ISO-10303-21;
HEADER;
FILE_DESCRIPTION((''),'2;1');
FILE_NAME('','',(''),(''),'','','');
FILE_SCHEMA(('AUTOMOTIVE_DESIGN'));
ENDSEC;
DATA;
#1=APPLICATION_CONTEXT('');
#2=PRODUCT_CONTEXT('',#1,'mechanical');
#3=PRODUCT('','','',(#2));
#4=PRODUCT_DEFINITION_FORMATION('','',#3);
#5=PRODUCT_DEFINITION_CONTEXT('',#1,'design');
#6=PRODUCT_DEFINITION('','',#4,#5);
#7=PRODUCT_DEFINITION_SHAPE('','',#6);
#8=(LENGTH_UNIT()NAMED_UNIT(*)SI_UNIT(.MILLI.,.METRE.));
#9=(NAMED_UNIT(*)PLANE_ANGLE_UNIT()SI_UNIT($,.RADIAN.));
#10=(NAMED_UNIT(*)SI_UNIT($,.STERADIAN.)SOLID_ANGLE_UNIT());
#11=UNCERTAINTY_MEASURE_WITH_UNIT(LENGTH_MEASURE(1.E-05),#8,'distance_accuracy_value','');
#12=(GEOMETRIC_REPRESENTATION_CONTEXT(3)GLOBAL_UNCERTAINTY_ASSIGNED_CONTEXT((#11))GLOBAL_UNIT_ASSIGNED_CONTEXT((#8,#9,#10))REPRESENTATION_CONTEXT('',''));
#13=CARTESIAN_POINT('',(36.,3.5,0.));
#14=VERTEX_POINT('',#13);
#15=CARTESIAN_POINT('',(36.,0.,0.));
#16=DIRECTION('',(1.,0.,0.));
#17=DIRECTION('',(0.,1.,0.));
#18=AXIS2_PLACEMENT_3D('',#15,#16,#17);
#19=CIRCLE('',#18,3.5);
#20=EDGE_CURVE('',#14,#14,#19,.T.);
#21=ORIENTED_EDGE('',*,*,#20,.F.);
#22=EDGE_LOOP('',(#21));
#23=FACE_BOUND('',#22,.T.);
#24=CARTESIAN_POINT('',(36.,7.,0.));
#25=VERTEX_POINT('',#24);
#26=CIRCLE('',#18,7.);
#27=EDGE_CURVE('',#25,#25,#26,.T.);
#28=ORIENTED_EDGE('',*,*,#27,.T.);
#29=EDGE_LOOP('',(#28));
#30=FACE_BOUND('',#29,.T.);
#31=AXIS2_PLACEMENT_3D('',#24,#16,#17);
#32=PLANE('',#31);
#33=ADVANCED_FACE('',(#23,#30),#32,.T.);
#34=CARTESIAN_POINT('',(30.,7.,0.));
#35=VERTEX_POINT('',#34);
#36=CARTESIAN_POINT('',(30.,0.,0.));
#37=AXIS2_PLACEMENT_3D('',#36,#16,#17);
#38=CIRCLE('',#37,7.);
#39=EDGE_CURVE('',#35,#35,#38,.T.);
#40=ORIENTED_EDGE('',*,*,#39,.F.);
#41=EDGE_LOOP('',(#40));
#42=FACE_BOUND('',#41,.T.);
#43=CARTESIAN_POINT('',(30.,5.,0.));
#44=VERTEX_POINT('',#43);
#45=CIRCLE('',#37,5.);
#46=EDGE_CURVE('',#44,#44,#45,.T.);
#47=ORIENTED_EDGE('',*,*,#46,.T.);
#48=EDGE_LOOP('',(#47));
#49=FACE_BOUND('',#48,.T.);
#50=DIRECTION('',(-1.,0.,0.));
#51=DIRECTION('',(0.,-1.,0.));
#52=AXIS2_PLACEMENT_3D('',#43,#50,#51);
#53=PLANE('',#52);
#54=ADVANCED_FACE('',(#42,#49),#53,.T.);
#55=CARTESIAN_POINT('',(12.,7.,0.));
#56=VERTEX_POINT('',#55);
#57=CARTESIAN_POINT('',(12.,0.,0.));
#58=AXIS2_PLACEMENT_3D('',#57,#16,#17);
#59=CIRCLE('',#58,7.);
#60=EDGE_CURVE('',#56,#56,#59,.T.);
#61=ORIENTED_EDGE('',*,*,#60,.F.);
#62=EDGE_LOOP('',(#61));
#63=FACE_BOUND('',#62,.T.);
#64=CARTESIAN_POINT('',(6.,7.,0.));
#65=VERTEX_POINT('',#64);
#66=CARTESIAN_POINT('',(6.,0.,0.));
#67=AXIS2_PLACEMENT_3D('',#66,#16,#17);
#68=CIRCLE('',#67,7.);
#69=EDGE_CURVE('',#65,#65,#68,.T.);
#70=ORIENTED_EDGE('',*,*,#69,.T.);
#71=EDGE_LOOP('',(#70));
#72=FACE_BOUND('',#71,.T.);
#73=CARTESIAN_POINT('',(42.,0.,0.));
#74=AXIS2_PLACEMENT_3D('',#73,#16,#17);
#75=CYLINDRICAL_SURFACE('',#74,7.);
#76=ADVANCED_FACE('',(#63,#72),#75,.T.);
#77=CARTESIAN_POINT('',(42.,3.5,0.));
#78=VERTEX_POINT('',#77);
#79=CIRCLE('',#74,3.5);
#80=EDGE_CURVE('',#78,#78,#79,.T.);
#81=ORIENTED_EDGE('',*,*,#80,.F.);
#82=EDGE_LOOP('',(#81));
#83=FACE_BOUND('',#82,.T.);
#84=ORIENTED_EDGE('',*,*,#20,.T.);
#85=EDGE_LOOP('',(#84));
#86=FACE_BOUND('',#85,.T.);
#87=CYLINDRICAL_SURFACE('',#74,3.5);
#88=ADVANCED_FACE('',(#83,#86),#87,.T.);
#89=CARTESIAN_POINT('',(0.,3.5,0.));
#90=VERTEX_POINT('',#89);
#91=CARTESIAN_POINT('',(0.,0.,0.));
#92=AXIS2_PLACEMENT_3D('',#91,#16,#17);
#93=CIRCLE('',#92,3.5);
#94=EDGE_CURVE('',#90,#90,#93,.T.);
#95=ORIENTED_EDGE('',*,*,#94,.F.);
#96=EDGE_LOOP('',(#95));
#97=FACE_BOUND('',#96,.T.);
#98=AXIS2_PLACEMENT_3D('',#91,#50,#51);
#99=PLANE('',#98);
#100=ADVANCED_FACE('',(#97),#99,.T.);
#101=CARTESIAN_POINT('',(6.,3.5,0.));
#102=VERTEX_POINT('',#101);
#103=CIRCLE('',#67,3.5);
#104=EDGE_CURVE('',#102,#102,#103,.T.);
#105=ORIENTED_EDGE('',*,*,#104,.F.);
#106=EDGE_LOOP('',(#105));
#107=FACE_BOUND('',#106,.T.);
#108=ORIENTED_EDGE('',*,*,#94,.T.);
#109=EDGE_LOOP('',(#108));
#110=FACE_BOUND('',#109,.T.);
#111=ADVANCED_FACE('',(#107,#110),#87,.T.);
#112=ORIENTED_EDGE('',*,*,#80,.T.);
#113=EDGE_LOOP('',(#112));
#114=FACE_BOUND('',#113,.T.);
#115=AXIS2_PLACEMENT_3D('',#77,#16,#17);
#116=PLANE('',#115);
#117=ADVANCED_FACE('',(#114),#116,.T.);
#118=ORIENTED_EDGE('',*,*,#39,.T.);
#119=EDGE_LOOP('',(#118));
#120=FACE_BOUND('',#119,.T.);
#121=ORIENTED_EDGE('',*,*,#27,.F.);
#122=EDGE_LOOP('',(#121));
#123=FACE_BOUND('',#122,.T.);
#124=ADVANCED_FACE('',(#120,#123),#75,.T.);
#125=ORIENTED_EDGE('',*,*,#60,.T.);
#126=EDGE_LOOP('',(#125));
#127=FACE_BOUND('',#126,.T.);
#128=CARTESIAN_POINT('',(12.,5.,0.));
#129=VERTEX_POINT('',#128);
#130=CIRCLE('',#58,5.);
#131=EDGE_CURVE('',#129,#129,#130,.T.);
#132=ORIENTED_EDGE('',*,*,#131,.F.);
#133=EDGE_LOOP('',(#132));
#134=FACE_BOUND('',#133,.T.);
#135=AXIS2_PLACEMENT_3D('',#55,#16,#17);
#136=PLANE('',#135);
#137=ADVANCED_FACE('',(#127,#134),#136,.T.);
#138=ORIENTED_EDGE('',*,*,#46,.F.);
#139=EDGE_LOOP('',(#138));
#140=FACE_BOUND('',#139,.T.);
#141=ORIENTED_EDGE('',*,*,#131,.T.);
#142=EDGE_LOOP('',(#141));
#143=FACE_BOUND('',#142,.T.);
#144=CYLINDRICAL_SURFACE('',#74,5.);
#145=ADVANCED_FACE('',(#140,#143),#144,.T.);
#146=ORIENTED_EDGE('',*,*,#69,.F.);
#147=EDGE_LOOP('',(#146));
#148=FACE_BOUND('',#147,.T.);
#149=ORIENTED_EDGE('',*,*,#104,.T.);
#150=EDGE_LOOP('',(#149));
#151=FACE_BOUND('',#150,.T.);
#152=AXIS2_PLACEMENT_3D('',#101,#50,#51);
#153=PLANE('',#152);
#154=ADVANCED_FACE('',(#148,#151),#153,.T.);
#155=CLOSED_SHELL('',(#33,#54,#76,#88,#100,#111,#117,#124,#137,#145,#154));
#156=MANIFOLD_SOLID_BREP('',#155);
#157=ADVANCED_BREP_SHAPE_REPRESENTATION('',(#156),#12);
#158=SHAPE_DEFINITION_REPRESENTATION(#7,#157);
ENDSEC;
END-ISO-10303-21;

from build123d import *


with BuildPart() as part:
    # Sketch1 → Revolve1 (revolve)
    with BuildSketch(Plane.XY):
        Polygon((0, 0), (0, 3.5), (6, 3.5), (6, 7), (12, 7), (12, 5), (30, 5), (30, 7), (36, 7), (36, 3.5), (42, 3.5), (42, 0), align=None)
    revolve(axis=Axis((42, 0, 0), (-1, 0, 0)))


solid = part.part
